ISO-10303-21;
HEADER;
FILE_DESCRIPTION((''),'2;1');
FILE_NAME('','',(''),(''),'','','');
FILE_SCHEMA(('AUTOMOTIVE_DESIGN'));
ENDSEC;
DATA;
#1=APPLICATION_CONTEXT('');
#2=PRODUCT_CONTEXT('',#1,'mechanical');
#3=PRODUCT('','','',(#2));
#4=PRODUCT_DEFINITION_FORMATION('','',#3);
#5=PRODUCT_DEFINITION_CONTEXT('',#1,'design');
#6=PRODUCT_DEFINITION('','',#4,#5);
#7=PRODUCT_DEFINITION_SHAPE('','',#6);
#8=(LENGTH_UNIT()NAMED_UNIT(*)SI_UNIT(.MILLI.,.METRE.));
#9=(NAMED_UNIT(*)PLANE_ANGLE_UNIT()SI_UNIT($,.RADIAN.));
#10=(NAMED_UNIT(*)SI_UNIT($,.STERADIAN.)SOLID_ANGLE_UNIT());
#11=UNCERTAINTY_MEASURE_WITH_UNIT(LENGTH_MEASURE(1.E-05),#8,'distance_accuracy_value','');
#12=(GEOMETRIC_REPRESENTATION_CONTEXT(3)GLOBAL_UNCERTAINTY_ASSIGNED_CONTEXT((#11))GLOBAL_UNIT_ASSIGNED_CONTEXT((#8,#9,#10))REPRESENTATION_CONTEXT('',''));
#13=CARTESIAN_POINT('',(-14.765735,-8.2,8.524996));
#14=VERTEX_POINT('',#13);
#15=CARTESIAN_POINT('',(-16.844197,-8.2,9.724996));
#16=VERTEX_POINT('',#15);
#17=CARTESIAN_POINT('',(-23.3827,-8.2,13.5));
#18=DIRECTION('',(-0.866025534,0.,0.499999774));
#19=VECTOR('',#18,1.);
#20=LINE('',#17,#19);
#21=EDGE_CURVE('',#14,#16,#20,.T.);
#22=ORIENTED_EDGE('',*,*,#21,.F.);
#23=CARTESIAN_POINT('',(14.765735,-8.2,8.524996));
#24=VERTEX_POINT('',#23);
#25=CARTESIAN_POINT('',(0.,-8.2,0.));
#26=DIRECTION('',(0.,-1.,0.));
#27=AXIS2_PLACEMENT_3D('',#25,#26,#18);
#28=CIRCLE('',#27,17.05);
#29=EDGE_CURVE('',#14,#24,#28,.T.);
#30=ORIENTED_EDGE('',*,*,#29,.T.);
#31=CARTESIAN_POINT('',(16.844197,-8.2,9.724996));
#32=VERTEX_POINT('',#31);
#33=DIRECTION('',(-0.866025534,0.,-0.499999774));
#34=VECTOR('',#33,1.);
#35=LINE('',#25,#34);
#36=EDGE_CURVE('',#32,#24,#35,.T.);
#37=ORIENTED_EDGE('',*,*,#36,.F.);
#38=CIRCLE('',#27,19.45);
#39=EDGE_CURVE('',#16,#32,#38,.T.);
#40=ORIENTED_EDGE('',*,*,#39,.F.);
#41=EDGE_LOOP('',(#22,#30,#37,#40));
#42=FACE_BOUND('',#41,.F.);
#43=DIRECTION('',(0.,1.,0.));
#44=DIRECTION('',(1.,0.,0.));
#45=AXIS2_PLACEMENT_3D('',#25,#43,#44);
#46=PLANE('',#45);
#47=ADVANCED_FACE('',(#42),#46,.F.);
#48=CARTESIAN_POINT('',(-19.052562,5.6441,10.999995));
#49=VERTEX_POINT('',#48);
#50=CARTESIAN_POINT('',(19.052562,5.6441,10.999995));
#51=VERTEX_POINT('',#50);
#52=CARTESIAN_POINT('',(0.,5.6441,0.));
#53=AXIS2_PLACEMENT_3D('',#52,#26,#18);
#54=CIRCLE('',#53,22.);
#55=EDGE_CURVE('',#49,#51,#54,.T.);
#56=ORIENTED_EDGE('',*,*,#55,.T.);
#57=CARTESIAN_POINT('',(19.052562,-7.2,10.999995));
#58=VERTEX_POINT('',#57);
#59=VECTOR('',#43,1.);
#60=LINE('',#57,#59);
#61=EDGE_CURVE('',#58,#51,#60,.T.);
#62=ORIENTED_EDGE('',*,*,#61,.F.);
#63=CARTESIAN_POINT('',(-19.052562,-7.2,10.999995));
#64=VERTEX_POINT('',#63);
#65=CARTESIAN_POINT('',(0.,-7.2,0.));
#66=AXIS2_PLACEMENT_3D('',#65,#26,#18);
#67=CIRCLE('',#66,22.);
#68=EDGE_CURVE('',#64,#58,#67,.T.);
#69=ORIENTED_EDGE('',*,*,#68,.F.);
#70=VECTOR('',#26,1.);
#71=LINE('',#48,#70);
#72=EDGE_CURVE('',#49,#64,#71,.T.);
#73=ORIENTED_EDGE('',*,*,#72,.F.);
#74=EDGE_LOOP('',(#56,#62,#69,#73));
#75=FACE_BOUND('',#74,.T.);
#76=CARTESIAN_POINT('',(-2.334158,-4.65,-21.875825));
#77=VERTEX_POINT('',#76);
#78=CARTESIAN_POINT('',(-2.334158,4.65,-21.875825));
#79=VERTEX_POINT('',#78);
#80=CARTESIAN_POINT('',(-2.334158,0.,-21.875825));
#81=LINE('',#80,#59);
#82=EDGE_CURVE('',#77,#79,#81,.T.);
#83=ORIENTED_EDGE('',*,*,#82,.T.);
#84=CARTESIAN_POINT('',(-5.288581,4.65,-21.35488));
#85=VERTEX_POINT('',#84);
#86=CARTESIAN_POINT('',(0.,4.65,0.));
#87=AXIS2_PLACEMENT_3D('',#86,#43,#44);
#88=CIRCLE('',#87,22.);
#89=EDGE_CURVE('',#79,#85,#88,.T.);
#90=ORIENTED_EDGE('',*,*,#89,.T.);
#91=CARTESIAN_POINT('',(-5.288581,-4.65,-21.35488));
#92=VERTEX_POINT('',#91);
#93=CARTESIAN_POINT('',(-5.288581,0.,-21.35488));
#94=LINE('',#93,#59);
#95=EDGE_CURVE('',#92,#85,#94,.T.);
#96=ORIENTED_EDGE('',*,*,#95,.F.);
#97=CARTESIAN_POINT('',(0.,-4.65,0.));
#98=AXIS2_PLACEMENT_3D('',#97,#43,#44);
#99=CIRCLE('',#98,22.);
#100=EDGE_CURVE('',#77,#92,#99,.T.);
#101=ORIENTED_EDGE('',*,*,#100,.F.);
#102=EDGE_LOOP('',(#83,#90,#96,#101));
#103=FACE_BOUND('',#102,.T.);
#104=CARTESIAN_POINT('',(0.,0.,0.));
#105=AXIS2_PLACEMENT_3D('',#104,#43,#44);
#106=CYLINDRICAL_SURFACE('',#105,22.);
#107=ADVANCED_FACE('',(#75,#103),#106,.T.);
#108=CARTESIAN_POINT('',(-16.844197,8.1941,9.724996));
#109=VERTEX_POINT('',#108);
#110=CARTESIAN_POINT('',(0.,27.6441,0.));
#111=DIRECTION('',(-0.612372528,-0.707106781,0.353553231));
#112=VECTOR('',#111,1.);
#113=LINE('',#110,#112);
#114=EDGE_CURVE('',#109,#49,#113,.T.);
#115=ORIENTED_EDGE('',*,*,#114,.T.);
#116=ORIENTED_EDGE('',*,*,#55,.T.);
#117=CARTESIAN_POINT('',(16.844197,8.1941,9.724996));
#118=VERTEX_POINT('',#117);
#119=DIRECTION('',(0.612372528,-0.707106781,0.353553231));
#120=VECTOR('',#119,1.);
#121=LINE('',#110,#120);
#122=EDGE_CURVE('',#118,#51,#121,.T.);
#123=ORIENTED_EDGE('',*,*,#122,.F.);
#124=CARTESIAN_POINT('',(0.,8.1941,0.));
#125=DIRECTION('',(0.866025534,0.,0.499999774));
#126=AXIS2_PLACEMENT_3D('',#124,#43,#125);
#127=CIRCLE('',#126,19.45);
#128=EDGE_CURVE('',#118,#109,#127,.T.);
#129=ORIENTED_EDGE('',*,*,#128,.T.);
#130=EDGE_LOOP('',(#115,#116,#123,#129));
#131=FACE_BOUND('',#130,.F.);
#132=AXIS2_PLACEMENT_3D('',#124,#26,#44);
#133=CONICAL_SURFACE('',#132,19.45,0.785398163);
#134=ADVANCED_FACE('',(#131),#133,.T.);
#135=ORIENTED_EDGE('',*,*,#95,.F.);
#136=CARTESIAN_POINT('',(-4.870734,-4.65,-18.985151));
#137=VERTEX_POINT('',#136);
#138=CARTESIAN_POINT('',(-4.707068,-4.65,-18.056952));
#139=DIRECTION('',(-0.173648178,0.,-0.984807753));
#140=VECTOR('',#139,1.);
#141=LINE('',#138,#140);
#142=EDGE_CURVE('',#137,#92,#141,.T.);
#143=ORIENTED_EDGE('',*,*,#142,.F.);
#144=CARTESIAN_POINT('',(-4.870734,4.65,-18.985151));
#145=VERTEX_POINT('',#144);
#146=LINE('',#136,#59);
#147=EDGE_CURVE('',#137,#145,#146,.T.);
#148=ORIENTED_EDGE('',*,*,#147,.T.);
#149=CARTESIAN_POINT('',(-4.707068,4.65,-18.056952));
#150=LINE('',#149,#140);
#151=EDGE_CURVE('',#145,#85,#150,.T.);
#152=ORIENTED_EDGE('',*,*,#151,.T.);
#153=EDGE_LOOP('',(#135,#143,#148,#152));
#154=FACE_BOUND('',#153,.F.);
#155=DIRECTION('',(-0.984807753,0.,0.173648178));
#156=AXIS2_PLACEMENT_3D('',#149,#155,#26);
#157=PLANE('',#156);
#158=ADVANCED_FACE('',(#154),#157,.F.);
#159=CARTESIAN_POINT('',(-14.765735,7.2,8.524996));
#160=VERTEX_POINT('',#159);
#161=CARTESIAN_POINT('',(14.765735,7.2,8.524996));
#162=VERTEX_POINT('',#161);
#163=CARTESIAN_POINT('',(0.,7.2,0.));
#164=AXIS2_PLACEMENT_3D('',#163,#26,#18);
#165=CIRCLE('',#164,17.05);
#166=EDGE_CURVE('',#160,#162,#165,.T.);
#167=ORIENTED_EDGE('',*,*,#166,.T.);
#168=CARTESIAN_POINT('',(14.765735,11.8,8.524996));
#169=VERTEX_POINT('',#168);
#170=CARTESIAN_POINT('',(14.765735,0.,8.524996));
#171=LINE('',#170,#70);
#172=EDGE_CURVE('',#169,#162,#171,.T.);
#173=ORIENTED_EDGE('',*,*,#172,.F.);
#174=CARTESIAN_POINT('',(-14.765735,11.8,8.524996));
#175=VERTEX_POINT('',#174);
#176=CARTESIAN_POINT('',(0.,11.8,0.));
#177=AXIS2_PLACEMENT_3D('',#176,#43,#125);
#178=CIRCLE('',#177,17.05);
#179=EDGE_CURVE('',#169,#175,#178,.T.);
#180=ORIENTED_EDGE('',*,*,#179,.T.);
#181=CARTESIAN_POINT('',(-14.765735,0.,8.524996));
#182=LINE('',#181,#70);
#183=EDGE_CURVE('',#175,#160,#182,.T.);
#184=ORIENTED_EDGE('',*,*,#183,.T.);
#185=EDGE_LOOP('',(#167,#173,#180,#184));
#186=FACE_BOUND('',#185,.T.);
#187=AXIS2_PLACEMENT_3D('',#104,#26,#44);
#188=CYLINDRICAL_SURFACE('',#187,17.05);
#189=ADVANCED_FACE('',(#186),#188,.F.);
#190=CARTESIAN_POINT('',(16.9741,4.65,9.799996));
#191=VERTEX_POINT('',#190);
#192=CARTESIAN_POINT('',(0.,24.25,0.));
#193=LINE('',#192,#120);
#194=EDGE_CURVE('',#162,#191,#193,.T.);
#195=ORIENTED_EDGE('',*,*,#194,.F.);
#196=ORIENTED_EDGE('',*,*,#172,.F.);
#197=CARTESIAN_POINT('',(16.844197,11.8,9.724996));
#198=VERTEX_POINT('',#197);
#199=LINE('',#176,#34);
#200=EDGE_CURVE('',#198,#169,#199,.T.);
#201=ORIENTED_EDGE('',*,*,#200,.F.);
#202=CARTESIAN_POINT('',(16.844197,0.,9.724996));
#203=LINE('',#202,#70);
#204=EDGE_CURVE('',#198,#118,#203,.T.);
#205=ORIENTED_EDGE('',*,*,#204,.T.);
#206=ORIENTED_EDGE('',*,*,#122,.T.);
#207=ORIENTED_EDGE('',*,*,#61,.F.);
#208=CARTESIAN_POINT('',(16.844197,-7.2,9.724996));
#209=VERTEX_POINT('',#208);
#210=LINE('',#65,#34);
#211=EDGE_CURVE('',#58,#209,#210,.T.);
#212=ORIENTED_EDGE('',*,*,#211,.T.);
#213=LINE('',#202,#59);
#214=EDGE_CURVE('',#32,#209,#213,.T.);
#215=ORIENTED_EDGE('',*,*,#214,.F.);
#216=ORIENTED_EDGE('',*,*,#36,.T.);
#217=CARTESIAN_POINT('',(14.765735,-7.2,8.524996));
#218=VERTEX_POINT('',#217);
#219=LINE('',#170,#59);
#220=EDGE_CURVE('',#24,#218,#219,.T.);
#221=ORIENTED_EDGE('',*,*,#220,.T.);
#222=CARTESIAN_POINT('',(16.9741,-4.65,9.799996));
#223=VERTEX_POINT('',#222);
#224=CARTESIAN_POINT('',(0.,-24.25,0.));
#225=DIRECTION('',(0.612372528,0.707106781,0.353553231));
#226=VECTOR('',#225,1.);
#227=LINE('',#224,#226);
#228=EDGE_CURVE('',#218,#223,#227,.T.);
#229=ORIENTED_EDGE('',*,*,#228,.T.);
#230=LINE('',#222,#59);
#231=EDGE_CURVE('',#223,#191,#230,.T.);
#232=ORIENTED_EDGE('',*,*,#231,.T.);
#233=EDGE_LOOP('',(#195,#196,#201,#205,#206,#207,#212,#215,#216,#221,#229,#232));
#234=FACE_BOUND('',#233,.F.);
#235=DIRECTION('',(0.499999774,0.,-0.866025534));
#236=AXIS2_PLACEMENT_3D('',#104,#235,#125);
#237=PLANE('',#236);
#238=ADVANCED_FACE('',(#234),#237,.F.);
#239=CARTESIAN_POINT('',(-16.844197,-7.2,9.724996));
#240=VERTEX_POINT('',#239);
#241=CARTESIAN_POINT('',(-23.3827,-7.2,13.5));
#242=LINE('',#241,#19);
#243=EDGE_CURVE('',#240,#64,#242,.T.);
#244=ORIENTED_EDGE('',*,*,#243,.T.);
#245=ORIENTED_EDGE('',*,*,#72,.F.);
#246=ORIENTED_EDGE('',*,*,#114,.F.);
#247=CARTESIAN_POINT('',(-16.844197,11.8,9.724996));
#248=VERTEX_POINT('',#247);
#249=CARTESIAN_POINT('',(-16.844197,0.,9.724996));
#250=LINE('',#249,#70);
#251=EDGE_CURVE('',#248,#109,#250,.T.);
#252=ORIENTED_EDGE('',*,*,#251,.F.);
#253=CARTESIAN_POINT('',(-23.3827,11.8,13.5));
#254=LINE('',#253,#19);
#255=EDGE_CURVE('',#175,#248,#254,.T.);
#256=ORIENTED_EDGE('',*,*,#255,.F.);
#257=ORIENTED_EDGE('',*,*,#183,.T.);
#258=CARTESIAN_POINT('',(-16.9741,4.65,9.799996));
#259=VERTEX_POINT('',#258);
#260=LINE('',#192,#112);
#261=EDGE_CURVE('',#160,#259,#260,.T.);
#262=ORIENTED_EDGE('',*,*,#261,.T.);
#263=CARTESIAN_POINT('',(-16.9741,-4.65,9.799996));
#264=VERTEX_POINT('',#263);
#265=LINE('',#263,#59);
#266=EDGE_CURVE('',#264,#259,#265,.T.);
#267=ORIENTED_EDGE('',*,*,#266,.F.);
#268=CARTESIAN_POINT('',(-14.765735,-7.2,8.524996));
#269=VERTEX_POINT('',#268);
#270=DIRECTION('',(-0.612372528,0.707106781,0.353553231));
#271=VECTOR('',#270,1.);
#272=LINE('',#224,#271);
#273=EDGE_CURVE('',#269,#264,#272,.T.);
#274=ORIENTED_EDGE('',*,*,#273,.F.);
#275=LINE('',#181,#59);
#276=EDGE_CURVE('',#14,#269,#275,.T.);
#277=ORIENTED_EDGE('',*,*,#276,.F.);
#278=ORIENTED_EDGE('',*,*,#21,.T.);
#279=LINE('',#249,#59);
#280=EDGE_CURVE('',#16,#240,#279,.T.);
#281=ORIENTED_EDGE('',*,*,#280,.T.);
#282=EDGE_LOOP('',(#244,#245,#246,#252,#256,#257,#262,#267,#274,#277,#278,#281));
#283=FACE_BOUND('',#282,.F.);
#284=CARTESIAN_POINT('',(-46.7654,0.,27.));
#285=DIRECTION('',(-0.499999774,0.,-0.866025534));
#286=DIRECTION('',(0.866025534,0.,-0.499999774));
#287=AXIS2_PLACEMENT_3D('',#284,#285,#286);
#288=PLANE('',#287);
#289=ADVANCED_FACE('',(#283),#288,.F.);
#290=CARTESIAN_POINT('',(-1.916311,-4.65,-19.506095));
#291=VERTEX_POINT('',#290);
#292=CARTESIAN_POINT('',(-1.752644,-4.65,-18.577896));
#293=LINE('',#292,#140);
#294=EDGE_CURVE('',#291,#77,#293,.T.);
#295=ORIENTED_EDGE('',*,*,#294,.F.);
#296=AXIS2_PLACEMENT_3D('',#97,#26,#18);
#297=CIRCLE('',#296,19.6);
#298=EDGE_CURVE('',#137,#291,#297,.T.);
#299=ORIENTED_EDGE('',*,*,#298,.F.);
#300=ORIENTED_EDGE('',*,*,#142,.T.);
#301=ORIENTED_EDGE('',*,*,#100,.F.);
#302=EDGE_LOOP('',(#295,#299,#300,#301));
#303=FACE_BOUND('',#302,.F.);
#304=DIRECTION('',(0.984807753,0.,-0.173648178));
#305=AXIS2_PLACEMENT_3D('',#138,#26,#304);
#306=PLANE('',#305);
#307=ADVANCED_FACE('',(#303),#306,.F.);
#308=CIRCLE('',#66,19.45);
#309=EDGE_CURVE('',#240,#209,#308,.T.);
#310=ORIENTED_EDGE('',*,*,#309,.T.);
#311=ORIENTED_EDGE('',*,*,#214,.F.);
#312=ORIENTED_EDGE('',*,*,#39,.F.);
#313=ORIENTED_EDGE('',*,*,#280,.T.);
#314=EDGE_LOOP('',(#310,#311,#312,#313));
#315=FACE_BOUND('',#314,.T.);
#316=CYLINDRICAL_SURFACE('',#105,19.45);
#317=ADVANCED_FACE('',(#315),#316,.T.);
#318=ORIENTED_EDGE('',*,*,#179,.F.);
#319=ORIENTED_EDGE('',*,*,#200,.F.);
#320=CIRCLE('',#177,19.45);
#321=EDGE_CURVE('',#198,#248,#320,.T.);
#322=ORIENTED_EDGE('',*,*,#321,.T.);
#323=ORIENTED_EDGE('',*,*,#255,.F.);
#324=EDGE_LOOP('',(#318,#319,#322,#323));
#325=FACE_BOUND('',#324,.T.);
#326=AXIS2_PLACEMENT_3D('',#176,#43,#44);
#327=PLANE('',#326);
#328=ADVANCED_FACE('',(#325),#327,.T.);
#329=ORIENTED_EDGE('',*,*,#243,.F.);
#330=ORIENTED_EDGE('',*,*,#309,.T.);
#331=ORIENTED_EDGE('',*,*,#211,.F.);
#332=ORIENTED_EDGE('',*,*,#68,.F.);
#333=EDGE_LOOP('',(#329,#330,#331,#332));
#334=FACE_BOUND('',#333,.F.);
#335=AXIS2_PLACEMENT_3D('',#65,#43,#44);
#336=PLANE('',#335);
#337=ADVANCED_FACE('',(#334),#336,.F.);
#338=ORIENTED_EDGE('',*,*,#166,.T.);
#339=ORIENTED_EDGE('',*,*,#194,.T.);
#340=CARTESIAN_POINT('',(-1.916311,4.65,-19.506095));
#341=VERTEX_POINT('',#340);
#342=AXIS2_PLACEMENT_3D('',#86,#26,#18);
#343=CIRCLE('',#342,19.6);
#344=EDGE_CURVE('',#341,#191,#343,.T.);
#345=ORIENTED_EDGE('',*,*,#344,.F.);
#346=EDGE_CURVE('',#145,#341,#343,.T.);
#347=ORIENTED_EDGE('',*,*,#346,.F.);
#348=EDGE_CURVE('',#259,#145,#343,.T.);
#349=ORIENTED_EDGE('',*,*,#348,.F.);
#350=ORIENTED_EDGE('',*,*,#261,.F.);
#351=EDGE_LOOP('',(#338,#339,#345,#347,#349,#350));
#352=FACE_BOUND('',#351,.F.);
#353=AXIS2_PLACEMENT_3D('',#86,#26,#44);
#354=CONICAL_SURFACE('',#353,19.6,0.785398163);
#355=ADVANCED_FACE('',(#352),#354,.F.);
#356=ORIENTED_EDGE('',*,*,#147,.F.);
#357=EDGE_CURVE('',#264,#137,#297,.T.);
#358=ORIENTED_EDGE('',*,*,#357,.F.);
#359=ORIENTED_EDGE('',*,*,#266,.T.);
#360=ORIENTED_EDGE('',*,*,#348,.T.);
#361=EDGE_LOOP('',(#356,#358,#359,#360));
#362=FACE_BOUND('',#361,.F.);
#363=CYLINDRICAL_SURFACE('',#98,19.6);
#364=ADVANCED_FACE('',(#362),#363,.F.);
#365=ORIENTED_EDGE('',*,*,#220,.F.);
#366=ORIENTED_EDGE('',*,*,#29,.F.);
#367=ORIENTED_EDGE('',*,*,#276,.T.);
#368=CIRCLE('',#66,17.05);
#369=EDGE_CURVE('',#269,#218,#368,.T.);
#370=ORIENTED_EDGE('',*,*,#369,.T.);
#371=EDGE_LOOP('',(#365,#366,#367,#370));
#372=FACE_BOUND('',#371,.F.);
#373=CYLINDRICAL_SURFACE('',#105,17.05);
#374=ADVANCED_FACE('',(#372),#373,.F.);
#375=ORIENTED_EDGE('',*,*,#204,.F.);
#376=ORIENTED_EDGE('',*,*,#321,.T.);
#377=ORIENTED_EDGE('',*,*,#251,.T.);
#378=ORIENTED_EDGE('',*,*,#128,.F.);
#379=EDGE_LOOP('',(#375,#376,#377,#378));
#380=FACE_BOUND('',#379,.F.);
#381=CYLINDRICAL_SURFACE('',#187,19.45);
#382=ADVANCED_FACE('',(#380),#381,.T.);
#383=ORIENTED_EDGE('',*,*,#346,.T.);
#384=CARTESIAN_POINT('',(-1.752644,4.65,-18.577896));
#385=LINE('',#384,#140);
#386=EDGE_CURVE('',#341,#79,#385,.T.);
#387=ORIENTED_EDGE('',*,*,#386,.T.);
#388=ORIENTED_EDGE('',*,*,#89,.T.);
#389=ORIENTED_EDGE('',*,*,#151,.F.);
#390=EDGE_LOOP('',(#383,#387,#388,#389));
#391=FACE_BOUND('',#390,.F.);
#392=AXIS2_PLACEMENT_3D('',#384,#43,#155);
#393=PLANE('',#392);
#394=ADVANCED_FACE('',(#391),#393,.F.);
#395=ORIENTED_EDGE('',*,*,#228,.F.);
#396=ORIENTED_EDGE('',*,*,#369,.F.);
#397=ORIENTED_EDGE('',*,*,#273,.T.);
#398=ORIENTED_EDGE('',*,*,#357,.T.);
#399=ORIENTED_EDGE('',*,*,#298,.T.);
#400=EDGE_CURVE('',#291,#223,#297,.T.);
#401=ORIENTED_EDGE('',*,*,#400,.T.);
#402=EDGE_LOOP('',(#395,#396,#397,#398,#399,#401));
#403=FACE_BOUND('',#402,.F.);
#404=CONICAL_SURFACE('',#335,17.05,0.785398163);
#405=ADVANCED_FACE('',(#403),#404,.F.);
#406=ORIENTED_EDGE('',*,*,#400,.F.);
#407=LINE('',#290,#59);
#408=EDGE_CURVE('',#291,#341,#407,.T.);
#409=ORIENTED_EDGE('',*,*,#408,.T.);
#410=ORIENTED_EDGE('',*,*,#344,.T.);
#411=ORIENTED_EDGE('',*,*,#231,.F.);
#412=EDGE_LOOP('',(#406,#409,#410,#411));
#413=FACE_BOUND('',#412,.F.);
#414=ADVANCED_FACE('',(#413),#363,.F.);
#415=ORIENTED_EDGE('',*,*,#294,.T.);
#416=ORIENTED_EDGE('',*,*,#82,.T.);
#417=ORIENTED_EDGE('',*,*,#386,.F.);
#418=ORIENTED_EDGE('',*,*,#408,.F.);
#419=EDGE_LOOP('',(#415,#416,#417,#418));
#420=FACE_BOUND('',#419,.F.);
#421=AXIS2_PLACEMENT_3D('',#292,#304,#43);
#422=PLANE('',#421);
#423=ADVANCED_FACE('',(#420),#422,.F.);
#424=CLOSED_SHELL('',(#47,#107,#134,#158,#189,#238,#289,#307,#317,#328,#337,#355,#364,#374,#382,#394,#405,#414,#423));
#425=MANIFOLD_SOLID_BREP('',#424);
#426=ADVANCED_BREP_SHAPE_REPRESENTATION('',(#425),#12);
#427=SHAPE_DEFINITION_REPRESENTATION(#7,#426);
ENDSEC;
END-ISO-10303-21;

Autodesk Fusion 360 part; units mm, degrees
sketch "Lips" plane through (0, 0, 0) normal (0, 1, 0) x (1, 0, 0)
  circle A0 centre (0, 0) radius 17.05
  circle A1 centre (0, 0) radius 19.45
  dimension "d78" = 34.1
  dimension "d79" = 38.9
extrude "Lips (1)" add sketch "Lips" along normal blind 11.8 and the other way blind 8.2
sketch "Band" plane through (0, 0, 0) normal (0, 1, 0) x (1, 0, 0)
  circle A0 centre (0, 0) radius 17.05
  circle A1 centre (0, 0) radius 22
  dimension "d84" = 34.1
  dimension "d85" = 44
extrude "Band (1)" add sketch "Band" along normal blind 8.1941 and the other way blind 7.2
sketch "Outer cone profile" plane through (0, 0, 0) normal (0, 0, 1) x (1, 0, 0)
  line L0 (0, 1.75) -> (0, 22.5) construction
  line L1 (1.75, 0) -> (22.5, 0) construction
  line L2 (22, 5.6441) -> (22, 8.1941)
  line L3 (22, 8.1941) -> (19.45, 8.1941)
  line L4 (19.45, 8.1941) -> (22, 5.6441)
  dimension "d90" = 22
  dimension "d91" = 19.45
  dimension "d92" = 5.6441
  dimension "d93" = 8.1941
revolve "Outer cone" cut sketch "Outer cone profile" angle 360 about axis through (0, 1.75, 0) along (0, 1, 0)
sketch "Pocket profile" plane through (0, 0, 0) normal (0, 0, 1) x (1, 0, 0)
  line L0 (0, 1.75) -> (0, 22.5) construction
  line L1 (1.75, 0) -> (22.5, 0) construction
  line L2 (0, -7.2) -> (17.05, -7.2)
  line L3 (17.05, -7.2) -> (19.6, -4.65)
  line L4 (19.6, -4.65) -> (19.6, 4.65)
  line L5 (19.6, 4.65) -> (17.05, 7.2)
  line L6 (17.05, 7.2) -> (0, 7.2)
  line L7 (0, 7.2) -> (0, -7.2)
  dimension "d95" = 17.05
  dimension "d96" = 19.6
  dimension "d97" = 7.2
  dimension "d98" = 4.65
revolve "Pocket" cut sketch "Pocket profile" angle 360 about axis through (0, 1.75, 0) along (0, 1, 0)
sketch "Mouth" plane through (0, 0, 0) normal (0, 1, 0) x (1, 0, 0)
  line L0 (0, 0) -> (46.7654, -27)
  line L1 (46.7654, -27) -> (0, -54)
  line L2 (0, -54) -> (-46.7654, -27)
  line L3 (-46.7654, -27) -> (0, 0)
  line L4 (0, 0) -> (0, -54) construction
  dimension "d100" = 54
  dimension "d101" = 54
  dimension "d102" = 54
  dimension "d103" = 60
  dimension "d104" = 60
extrude "Mouth (1)" cut sketch "Mouth" along normal mid plane 30
ref_plane "WorkPlane3" through (0, 12.125, 0) normal (-0.1736, 0, -0.9848) x (0, 1, 0)
sketch "Stem slot section" plane through (0, 0, 0) normal (-0.1736, 0, -0.9848) x (0, 1, 0)
  line L0 (1.75, 0) -> (22.5, 0) construction
  line L1 (-4.65, 1.5) -> (4.65, 1.5)
  line L2 (4.65, 1.5) -> (4.65, -1.5)
  line L3 (4.65, -1.5) -> (-4.65, -1.5)
  line L4 (-4.65, -1.5) -> (-4.65, 1.5)
  line L5 (0, 0) -> (0, 4.8) construction
  dimension "d109" = 4.8
  dimension "d110" = 3
  dimension "d111" = 9.3
extrude "Stem slot" cut sketch "Stem slot section" along normal blind 6.4 from surface at 18.6
equation "rodOuterDiameter = 33.4 mm"
equation "collarClearance = 0.7 mm"
equation "collarWall = 2.4 mm"
equation "collarWidth = 20.0 mm"
equation "mouthHalfAngleDeg = 60.0 deg"
equation "ringOuterDiameter = 38.9 mm"
equation "ringWidth = 9.0 mm"
equation "stemThickness = 2.4 mm"
equation "stemAngleDeg = 100.0 deg"
equation "pocketClearance = 0.3 mm"
equation "slotClearance = 0.6 mm"
equation "pocketWidth = ringWidth + pocketClearance"
equation "pocketChamfer = ( ringOuterDiameter + pocketClearance ) / 2 - ( rodOuterDiameter + collarClearance ) / 2"
equation "bandWidth = pocketWidth + 2 * pocketChamfer"
equation "farLip = 1.0 mm"
equation "farExtent = bandWidth / 2 + farLip"
equation "chamferShift = collarWall * ( sqrt(2) - 1 )"
equation "d78 = rodOuterDiameter + collarClearance"
equation "d79 = rodOuterDiameter + collarClearance + 2 * collarWall"
equation "d80 = collarWidth - farExtent"
equation "d82 = farExtent"
equation "d84 = rodOuterDiameter + collarClearance"
equation "d85 = ringOuterDiameter + pocketClearance + 2 * collarWall"
equation "d86 = bandWidth / 2 + chamferShift"
equation "d88 = bandWidth / 2"
equation "d90 = ( ringOuterDiameter + pocketClearance + 2 * collarWall ) / 2"
equation "d91 = ( rodOuterDiameter + collarClearance + 2 * collarWall ) / 2"
equation "d92 = pocketWidth / 2 + chamferShift"
equation "d93 = bandWidth / 2 + chamferShift"
equation "d95 = ( rodOuterDiameter + collarClearance ) / 2"
equation "d96 = ( ringOuterDiameter + pocketClearance ) / 2"
equation "d97 = bandWidth / 2"
equation "d98 = pocketWidth / 2"
equation "d100 = Linear Dimension-2"
equation "d101 = Linear Dimension-3"
equation "d102 = Linear Dimension-4"
equation "d103 = mouthHalfAngleDeg"
equation "d104 = mouthHalfAngleDeg"
equation "d105 = collarWidth + 10 mm"
equation "d107 = stemAngleDeg"
equation "d109 = stemThickness * 2"
equation "d110 = stemThickness + slotClearance"
equation "d111 = pocketWidth"
equation "d112 = ( ringOuterDiameter + pocketClearance ) / 2 - 1 mm"
